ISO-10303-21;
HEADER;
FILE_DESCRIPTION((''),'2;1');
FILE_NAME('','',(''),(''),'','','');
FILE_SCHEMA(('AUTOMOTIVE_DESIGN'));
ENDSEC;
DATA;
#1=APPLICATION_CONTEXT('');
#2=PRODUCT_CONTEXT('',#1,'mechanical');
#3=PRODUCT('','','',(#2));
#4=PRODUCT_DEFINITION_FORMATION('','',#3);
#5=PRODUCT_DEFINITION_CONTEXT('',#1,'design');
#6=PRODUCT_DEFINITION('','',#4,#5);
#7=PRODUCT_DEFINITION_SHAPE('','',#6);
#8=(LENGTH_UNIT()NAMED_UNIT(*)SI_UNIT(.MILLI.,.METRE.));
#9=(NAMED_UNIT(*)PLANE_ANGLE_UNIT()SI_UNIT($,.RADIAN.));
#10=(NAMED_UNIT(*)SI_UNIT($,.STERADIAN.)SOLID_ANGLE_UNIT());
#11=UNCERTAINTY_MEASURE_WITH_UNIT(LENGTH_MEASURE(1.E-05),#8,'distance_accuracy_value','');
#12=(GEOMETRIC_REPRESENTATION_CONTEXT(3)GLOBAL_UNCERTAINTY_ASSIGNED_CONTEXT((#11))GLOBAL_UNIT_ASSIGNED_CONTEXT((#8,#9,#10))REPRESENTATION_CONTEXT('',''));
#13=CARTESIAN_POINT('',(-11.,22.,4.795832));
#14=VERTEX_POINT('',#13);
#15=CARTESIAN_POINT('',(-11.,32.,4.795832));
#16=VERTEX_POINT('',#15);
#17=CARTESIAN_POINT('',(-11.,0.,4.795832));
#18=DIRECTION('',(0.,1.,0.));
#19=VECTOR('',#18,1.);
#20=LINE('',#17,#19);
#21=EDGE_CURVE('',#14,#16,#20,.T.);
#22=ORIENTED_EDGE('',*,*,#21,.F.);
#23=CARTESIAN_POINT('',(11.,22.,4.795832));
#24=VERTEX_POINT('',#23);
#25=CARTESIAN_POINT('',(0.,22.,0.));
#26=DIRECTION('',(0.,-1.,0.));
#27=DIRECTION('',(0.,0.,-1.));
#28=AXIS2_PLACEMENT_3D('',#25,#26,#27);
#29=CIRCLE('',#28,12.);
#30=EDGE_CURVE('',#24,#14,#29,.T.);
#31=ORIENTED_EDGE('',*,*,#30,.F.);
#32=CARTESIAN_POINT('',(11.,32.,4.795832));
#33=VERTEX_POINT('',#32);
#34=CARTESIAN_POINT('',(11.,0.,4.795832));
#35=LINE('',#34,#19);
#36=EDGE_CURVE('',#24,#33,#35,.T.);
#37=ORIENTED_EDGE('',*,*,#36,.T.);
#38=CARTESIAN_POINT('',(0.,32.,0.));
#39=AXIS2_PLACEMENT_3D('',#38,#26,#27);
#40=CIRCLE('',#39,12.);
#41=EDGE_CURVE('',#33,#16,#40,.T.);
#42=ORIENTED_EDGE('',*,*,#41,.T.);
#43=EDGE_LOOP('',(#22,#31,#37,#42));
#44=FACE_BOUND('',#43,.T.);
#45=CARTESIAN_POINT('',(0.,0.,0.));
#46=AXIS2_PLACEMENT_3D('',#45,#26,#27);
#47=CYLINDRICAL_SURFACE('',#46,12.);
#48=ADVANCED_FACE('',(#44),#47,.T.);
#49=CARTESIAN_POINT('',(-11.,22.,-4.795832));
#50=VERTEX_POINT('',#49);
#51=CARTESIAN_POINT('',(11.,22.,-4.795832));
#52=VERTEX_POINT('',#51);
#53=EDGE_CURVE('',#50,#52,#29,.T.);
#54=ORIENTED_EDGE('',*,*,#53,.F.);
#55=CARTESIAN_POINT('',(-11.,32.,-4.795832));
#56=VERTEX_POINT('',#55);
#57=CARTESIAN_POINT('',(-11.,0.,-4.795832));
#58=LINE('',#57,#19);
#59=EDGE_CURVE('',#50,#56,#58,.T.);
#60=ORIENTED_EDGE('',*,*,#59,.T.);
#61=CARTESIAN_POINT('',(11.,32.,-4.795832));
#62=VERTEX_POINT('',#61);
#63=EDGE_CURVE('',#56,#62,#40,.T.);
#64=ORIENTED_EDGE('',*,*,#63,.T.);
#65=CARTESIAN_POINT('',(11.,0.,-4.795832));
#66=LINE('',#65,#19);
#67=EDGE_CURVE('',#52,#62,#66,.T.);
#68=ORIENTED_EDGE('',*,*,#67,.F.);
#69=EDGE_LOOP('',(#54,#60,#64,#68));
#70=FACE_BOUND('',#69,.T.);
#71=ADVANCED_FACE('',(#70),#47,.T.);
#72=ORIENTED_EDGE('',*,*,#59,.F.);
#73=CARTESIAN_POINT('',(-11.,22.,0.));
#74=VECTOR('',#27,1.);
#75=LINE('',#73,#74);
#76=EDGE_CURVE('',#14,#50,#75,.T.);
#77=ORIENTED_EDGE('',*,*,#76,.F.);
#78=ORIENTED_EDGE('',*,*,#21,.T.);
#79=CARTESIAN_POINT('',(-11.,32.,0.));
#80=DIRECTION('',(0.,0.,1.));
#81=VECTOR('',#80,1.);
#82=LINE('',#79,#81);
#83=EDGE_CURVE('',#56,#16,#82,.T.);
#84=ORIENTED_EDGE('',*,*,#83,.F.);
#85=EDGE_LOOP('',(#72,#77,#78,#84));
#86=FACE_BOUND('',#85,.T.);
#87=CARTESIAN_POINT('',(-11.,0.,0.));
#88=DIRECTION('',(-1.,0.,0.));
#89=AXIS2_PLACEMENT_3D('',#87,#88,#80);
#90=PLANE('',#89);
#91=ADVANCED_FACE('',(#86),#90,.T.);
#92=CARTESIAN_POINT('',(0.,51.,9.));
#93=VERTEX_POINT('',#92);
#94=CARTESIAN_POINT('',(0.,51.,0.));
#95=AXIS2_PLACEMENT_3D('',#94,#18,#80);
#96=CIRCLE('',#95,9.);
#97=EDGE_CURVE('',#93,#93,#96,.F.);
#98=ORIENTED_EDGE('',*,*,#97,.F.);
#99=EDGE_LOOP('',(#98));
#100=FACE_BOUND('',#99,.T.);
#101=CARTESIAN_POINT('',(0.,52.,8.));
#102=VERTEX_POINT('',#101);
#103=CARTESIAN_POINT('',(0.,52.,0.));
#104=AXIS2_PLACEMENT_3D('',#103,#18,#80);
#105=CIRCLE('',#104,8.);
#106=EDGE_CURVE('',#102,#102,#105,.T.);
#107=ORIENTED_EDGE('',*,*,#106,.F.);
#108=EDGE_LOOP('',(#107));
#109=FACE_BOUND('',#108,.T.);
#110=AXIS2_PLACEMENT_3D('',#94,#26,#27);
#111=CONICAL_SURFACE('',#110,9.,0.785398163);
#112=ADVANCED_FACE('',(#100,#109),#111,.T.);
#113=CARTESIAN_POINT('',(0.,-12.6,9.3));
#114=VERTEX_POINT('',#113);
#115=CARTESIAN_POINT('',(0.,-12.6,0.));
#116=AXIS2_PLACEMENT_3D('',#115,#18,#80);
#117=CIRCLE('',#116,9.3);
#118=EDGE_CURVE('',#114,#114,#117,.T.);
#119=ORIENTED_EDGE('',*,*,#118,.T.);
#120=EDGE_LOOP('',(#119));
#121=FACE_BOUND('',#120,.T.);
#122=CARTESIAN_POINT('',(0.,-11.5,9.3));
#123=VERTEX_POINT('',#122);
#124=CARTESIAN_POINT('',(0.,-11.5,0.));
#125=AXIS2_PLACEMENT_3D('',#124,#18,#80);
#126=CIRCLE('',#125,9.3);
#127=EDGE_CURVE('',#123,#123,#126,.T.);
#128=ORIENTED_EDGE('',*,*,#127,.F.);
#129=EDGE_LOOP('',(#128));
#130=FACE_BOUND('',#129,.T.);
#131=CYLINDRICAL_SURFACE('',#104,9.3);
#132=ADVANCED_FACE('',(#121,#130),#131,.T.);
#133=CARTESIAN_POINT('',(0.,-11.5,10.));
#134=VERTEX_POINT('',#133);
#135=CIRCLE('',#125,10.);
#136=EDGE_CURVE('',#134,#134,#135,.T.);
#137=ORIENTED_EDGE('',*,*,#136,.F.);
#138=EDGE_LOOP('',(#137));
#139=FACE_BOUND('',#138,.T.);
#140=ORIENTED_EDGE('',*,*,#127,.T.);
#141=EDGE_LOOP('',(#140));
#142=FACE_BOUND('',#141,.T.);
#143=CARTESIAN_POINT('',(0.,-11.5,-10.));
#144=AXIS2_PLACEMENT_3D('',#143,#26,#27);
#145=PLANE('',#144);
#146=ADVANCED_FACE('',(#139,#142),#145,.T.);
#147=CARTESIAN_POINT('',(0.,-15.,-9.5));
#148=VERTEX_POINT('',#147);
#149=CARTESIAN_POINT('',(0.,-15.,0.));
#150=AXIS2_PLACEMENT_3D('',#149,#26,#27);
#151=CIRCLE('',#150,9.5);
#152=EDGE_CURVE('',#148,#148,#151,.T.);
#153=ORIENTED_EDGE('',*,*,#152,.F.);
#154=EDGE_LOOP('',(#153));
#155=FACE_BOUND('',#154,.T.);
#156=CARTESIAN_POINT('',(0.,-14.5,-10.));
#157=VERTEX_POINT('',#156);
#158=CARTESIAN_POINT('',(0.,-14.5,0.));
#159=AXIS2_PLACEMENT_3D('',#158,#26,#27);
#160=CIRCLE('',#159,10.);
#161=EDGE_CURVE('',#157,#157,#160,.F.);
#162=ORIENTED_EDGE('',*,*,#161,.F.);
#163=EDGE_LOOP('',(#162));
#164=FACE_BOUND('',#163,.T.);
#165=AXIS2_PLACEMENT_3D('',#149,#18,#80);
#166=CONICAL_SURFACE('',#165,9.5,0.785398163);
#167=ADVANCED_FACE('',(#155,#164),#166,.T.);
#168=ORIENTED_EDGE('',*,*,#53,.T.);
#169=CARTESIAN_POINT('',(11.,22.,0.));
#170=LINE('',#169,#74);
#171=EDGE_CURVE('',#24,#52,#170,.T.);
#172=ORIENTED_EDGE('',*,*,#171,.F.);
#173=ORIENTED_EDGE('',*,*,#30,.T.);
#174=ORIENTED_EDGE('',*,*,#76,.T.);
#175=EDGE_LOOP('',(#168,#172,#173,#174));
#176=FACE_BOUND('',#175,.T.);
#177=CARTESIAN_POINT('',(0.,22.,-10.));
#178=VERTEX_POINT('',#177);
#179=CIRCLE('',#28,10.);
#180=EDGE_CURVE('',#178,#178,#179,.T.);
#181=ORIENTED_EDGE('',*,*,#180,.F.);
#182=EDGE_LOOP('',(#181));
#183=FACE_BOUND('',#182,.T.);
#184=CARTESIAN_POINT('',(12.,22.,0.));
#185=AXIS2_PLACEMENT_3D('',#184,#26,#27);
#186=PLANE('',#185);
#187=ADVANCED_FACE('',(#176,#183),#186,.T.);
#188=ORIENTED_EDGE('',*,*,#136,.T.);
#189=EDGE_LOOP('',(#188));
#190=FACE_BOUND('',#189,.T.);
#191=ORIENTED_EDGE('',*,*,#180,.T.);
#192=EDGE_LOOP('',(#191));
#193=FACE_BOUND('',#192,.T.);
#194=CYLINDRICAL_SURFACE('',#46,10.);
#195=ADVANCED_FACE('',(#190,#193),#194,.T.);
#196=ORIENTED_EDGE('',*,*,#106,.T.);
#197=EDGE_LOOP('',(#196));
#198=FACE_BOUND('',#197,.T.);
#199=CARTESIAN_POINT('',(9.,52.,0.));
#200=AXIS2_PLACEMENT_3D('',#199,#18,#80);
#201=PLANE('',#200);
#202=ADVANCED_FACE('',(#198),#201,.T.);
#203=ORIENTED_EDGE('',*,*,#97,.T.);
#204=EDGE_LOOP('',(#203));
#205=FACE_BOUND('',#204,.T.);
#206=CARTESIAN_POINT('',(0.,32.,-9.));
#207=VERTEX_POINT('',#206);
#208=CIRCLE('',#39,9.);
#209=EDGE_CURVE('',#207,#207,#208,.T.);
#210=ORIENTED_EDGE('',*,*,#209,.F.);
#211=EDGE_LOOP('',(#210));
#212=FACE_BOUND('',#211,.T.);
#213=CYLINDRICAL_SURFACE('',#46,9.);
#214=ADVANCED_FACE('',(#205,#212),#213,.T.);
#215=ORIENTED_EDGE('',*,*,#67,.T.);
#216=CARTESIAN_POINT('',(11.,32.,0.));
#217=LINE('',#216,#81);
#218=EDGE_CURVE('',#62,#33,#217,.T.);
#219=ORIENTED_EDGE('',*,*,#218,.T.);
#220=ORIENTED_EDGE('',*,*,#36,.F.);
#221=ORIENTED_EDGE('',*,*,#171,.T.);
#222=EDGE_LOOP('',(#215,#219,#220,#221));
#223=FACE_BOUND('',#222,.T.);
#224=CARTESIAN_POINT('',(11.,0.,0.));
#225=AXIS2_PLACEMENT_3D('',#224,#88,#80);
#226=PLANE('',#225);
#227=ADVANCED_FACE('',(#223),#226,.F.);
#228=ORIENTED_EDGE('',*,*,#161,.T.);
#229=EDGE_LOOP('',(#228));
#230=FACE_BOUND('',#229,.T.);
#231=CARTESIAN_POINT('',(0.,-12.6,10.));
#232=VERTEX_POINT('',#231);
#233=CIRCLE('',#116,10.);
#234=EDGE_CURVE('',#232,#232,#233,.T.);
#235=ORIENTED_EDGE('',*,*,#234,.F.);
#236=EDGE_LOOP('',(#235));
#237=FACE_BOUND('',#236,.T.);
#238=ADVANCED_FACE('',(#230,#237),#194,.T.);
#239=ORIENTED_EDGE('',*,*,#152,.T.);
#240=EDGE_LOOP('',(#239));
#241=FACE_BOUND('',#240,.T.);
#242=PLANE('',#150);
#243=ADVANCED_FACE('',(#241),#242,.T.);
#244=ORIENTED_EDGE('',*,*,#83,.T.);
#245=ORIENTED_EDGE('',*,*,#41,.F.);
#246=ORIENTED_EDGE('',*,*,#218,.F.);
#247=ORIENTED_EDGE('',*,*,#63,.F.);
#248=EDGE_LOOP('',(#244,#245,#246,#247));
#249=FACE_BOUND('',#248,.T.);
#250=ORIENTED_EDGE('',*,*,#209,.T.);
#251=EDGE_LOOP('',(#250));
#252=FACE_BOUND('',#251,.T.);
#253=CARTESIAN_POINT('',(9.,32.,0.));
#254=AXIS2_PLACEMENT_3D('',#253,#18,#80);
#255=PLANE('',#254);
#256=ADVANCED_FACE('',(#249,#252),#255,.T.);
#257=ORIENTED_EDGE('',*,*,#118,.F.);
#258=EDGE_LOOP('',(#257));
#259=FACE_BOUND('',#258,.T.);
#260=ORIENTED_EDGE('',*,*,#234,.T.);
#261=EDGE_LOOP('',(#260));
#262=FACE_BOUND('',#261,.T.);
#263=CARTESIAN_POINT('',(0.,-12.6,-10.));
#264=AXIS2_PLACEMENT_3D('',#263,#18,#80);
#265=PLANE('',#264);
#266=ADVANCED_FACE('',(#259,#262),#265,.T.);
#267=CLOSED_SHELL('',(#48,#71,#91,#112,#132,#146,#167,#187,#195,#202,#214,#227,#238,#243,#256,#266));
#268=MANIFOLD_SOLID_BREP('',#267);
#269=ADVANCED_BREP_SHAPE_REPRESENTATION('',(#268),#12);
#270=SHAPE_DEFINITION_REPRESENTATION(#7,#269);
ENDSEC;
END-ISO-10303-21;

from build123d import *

# Parameters (mm, degrees)
CHAMFER_1_SIZE      = 1
CUT_EXTRUDE_1_DEPTH = 37.221540553
SKETCH_3_R          = 10
EXTRUDE_1_DEPTH     = 15
CHAMFER_2_SIZE      = 0.5
SKETCH_7_W          = 0.7
SKETCH_7_H          = 1.1


with BuildPart() as part:
    # 草图1 → 旋转1 (revolve)
    with BuildSketch(Plane.XY, mode=Mode.PRIVATE) as revolve_1_sk:
        Polygon((0, 0), (10, 0), (10, 1.992934229), (10, 22), (12, 22), (12, 32), (9, 32), (9, 52), (0, 52), align=None)
    revolve(revolve_1_sk.sketch.rotate(Axis((0, 0, 0), (0, 1, 0)), 90), axis=Axis((0, 0, 0), (0, 1, 0)))

    # 倒角1
    chamfer_1_edges = [part.edges().sort_by_distance(p)[0] for p in [
        (0, 52, 9),
    ]]
    chamfer(chamfer_1_edges, length=CHAMFER_1_SIZE)

    # 草图2 → 切除-拉伸1 (cut, through all)
    with BuildSketch(Plane(origin=(0, 32, 0), x_dir=(1, 0, 0), z_dir=(0, 1, 0))):
        with BuildLine():
            Line((-11, -4.795831523), (-11, 4.795831523))
            ThreePointArc((-11, 4.795831523), (-12, 0), (-11, -4.795831523))
        make_face()
        with BuildLine():
            ThreePointArc((12, 0), (11.747340124, 2.449489743), (11, 4.795831523))
            Line((11, 4.795831523), (11, -4.795831523))
            ThreePointArc((11, -4.795831523), (11.747340124, -2.449489743), (12, 0))
        make_face()
    extrude(amount=-CUT_EXTRUDE_1_DEPTH, mode=Mode.SUBTRACT)

    # 草图3 → 凸台-拉伸1 (add)
    with BuildSketch(Plane.XZ):
        with Locations(Location((0, 0, 0), (0, 0, 270))):
            Circle(SKETCH_3_R)
    extrude(amount=EXTRUDE_1_DEPTH)

    # 倒角2
    chamfer_2_edges = [part.edges().sort_by_distance(p)[0] for p in [
        (0, -15, 10),
    ]]
    chamfer(chamfer_2_edges, length=CHAMFER_2_SIZE)

    # 草图7 → 切除-旋转1 (revolve, cut)
    with BuildSketch(Plane(origin=(0, 0, 0), x_dir=(0, 0, -1), z_dir=(1, 0, 0))):
        with Locations((9.65, -12.05)):
            Rectangle(SKETCH_7_W, SKETCH_7_H)
    revolve(axis=Axis((0, 52, 0), (0, -1, 0)), mode=Mode.SUBTRACT)


solid = part.part
